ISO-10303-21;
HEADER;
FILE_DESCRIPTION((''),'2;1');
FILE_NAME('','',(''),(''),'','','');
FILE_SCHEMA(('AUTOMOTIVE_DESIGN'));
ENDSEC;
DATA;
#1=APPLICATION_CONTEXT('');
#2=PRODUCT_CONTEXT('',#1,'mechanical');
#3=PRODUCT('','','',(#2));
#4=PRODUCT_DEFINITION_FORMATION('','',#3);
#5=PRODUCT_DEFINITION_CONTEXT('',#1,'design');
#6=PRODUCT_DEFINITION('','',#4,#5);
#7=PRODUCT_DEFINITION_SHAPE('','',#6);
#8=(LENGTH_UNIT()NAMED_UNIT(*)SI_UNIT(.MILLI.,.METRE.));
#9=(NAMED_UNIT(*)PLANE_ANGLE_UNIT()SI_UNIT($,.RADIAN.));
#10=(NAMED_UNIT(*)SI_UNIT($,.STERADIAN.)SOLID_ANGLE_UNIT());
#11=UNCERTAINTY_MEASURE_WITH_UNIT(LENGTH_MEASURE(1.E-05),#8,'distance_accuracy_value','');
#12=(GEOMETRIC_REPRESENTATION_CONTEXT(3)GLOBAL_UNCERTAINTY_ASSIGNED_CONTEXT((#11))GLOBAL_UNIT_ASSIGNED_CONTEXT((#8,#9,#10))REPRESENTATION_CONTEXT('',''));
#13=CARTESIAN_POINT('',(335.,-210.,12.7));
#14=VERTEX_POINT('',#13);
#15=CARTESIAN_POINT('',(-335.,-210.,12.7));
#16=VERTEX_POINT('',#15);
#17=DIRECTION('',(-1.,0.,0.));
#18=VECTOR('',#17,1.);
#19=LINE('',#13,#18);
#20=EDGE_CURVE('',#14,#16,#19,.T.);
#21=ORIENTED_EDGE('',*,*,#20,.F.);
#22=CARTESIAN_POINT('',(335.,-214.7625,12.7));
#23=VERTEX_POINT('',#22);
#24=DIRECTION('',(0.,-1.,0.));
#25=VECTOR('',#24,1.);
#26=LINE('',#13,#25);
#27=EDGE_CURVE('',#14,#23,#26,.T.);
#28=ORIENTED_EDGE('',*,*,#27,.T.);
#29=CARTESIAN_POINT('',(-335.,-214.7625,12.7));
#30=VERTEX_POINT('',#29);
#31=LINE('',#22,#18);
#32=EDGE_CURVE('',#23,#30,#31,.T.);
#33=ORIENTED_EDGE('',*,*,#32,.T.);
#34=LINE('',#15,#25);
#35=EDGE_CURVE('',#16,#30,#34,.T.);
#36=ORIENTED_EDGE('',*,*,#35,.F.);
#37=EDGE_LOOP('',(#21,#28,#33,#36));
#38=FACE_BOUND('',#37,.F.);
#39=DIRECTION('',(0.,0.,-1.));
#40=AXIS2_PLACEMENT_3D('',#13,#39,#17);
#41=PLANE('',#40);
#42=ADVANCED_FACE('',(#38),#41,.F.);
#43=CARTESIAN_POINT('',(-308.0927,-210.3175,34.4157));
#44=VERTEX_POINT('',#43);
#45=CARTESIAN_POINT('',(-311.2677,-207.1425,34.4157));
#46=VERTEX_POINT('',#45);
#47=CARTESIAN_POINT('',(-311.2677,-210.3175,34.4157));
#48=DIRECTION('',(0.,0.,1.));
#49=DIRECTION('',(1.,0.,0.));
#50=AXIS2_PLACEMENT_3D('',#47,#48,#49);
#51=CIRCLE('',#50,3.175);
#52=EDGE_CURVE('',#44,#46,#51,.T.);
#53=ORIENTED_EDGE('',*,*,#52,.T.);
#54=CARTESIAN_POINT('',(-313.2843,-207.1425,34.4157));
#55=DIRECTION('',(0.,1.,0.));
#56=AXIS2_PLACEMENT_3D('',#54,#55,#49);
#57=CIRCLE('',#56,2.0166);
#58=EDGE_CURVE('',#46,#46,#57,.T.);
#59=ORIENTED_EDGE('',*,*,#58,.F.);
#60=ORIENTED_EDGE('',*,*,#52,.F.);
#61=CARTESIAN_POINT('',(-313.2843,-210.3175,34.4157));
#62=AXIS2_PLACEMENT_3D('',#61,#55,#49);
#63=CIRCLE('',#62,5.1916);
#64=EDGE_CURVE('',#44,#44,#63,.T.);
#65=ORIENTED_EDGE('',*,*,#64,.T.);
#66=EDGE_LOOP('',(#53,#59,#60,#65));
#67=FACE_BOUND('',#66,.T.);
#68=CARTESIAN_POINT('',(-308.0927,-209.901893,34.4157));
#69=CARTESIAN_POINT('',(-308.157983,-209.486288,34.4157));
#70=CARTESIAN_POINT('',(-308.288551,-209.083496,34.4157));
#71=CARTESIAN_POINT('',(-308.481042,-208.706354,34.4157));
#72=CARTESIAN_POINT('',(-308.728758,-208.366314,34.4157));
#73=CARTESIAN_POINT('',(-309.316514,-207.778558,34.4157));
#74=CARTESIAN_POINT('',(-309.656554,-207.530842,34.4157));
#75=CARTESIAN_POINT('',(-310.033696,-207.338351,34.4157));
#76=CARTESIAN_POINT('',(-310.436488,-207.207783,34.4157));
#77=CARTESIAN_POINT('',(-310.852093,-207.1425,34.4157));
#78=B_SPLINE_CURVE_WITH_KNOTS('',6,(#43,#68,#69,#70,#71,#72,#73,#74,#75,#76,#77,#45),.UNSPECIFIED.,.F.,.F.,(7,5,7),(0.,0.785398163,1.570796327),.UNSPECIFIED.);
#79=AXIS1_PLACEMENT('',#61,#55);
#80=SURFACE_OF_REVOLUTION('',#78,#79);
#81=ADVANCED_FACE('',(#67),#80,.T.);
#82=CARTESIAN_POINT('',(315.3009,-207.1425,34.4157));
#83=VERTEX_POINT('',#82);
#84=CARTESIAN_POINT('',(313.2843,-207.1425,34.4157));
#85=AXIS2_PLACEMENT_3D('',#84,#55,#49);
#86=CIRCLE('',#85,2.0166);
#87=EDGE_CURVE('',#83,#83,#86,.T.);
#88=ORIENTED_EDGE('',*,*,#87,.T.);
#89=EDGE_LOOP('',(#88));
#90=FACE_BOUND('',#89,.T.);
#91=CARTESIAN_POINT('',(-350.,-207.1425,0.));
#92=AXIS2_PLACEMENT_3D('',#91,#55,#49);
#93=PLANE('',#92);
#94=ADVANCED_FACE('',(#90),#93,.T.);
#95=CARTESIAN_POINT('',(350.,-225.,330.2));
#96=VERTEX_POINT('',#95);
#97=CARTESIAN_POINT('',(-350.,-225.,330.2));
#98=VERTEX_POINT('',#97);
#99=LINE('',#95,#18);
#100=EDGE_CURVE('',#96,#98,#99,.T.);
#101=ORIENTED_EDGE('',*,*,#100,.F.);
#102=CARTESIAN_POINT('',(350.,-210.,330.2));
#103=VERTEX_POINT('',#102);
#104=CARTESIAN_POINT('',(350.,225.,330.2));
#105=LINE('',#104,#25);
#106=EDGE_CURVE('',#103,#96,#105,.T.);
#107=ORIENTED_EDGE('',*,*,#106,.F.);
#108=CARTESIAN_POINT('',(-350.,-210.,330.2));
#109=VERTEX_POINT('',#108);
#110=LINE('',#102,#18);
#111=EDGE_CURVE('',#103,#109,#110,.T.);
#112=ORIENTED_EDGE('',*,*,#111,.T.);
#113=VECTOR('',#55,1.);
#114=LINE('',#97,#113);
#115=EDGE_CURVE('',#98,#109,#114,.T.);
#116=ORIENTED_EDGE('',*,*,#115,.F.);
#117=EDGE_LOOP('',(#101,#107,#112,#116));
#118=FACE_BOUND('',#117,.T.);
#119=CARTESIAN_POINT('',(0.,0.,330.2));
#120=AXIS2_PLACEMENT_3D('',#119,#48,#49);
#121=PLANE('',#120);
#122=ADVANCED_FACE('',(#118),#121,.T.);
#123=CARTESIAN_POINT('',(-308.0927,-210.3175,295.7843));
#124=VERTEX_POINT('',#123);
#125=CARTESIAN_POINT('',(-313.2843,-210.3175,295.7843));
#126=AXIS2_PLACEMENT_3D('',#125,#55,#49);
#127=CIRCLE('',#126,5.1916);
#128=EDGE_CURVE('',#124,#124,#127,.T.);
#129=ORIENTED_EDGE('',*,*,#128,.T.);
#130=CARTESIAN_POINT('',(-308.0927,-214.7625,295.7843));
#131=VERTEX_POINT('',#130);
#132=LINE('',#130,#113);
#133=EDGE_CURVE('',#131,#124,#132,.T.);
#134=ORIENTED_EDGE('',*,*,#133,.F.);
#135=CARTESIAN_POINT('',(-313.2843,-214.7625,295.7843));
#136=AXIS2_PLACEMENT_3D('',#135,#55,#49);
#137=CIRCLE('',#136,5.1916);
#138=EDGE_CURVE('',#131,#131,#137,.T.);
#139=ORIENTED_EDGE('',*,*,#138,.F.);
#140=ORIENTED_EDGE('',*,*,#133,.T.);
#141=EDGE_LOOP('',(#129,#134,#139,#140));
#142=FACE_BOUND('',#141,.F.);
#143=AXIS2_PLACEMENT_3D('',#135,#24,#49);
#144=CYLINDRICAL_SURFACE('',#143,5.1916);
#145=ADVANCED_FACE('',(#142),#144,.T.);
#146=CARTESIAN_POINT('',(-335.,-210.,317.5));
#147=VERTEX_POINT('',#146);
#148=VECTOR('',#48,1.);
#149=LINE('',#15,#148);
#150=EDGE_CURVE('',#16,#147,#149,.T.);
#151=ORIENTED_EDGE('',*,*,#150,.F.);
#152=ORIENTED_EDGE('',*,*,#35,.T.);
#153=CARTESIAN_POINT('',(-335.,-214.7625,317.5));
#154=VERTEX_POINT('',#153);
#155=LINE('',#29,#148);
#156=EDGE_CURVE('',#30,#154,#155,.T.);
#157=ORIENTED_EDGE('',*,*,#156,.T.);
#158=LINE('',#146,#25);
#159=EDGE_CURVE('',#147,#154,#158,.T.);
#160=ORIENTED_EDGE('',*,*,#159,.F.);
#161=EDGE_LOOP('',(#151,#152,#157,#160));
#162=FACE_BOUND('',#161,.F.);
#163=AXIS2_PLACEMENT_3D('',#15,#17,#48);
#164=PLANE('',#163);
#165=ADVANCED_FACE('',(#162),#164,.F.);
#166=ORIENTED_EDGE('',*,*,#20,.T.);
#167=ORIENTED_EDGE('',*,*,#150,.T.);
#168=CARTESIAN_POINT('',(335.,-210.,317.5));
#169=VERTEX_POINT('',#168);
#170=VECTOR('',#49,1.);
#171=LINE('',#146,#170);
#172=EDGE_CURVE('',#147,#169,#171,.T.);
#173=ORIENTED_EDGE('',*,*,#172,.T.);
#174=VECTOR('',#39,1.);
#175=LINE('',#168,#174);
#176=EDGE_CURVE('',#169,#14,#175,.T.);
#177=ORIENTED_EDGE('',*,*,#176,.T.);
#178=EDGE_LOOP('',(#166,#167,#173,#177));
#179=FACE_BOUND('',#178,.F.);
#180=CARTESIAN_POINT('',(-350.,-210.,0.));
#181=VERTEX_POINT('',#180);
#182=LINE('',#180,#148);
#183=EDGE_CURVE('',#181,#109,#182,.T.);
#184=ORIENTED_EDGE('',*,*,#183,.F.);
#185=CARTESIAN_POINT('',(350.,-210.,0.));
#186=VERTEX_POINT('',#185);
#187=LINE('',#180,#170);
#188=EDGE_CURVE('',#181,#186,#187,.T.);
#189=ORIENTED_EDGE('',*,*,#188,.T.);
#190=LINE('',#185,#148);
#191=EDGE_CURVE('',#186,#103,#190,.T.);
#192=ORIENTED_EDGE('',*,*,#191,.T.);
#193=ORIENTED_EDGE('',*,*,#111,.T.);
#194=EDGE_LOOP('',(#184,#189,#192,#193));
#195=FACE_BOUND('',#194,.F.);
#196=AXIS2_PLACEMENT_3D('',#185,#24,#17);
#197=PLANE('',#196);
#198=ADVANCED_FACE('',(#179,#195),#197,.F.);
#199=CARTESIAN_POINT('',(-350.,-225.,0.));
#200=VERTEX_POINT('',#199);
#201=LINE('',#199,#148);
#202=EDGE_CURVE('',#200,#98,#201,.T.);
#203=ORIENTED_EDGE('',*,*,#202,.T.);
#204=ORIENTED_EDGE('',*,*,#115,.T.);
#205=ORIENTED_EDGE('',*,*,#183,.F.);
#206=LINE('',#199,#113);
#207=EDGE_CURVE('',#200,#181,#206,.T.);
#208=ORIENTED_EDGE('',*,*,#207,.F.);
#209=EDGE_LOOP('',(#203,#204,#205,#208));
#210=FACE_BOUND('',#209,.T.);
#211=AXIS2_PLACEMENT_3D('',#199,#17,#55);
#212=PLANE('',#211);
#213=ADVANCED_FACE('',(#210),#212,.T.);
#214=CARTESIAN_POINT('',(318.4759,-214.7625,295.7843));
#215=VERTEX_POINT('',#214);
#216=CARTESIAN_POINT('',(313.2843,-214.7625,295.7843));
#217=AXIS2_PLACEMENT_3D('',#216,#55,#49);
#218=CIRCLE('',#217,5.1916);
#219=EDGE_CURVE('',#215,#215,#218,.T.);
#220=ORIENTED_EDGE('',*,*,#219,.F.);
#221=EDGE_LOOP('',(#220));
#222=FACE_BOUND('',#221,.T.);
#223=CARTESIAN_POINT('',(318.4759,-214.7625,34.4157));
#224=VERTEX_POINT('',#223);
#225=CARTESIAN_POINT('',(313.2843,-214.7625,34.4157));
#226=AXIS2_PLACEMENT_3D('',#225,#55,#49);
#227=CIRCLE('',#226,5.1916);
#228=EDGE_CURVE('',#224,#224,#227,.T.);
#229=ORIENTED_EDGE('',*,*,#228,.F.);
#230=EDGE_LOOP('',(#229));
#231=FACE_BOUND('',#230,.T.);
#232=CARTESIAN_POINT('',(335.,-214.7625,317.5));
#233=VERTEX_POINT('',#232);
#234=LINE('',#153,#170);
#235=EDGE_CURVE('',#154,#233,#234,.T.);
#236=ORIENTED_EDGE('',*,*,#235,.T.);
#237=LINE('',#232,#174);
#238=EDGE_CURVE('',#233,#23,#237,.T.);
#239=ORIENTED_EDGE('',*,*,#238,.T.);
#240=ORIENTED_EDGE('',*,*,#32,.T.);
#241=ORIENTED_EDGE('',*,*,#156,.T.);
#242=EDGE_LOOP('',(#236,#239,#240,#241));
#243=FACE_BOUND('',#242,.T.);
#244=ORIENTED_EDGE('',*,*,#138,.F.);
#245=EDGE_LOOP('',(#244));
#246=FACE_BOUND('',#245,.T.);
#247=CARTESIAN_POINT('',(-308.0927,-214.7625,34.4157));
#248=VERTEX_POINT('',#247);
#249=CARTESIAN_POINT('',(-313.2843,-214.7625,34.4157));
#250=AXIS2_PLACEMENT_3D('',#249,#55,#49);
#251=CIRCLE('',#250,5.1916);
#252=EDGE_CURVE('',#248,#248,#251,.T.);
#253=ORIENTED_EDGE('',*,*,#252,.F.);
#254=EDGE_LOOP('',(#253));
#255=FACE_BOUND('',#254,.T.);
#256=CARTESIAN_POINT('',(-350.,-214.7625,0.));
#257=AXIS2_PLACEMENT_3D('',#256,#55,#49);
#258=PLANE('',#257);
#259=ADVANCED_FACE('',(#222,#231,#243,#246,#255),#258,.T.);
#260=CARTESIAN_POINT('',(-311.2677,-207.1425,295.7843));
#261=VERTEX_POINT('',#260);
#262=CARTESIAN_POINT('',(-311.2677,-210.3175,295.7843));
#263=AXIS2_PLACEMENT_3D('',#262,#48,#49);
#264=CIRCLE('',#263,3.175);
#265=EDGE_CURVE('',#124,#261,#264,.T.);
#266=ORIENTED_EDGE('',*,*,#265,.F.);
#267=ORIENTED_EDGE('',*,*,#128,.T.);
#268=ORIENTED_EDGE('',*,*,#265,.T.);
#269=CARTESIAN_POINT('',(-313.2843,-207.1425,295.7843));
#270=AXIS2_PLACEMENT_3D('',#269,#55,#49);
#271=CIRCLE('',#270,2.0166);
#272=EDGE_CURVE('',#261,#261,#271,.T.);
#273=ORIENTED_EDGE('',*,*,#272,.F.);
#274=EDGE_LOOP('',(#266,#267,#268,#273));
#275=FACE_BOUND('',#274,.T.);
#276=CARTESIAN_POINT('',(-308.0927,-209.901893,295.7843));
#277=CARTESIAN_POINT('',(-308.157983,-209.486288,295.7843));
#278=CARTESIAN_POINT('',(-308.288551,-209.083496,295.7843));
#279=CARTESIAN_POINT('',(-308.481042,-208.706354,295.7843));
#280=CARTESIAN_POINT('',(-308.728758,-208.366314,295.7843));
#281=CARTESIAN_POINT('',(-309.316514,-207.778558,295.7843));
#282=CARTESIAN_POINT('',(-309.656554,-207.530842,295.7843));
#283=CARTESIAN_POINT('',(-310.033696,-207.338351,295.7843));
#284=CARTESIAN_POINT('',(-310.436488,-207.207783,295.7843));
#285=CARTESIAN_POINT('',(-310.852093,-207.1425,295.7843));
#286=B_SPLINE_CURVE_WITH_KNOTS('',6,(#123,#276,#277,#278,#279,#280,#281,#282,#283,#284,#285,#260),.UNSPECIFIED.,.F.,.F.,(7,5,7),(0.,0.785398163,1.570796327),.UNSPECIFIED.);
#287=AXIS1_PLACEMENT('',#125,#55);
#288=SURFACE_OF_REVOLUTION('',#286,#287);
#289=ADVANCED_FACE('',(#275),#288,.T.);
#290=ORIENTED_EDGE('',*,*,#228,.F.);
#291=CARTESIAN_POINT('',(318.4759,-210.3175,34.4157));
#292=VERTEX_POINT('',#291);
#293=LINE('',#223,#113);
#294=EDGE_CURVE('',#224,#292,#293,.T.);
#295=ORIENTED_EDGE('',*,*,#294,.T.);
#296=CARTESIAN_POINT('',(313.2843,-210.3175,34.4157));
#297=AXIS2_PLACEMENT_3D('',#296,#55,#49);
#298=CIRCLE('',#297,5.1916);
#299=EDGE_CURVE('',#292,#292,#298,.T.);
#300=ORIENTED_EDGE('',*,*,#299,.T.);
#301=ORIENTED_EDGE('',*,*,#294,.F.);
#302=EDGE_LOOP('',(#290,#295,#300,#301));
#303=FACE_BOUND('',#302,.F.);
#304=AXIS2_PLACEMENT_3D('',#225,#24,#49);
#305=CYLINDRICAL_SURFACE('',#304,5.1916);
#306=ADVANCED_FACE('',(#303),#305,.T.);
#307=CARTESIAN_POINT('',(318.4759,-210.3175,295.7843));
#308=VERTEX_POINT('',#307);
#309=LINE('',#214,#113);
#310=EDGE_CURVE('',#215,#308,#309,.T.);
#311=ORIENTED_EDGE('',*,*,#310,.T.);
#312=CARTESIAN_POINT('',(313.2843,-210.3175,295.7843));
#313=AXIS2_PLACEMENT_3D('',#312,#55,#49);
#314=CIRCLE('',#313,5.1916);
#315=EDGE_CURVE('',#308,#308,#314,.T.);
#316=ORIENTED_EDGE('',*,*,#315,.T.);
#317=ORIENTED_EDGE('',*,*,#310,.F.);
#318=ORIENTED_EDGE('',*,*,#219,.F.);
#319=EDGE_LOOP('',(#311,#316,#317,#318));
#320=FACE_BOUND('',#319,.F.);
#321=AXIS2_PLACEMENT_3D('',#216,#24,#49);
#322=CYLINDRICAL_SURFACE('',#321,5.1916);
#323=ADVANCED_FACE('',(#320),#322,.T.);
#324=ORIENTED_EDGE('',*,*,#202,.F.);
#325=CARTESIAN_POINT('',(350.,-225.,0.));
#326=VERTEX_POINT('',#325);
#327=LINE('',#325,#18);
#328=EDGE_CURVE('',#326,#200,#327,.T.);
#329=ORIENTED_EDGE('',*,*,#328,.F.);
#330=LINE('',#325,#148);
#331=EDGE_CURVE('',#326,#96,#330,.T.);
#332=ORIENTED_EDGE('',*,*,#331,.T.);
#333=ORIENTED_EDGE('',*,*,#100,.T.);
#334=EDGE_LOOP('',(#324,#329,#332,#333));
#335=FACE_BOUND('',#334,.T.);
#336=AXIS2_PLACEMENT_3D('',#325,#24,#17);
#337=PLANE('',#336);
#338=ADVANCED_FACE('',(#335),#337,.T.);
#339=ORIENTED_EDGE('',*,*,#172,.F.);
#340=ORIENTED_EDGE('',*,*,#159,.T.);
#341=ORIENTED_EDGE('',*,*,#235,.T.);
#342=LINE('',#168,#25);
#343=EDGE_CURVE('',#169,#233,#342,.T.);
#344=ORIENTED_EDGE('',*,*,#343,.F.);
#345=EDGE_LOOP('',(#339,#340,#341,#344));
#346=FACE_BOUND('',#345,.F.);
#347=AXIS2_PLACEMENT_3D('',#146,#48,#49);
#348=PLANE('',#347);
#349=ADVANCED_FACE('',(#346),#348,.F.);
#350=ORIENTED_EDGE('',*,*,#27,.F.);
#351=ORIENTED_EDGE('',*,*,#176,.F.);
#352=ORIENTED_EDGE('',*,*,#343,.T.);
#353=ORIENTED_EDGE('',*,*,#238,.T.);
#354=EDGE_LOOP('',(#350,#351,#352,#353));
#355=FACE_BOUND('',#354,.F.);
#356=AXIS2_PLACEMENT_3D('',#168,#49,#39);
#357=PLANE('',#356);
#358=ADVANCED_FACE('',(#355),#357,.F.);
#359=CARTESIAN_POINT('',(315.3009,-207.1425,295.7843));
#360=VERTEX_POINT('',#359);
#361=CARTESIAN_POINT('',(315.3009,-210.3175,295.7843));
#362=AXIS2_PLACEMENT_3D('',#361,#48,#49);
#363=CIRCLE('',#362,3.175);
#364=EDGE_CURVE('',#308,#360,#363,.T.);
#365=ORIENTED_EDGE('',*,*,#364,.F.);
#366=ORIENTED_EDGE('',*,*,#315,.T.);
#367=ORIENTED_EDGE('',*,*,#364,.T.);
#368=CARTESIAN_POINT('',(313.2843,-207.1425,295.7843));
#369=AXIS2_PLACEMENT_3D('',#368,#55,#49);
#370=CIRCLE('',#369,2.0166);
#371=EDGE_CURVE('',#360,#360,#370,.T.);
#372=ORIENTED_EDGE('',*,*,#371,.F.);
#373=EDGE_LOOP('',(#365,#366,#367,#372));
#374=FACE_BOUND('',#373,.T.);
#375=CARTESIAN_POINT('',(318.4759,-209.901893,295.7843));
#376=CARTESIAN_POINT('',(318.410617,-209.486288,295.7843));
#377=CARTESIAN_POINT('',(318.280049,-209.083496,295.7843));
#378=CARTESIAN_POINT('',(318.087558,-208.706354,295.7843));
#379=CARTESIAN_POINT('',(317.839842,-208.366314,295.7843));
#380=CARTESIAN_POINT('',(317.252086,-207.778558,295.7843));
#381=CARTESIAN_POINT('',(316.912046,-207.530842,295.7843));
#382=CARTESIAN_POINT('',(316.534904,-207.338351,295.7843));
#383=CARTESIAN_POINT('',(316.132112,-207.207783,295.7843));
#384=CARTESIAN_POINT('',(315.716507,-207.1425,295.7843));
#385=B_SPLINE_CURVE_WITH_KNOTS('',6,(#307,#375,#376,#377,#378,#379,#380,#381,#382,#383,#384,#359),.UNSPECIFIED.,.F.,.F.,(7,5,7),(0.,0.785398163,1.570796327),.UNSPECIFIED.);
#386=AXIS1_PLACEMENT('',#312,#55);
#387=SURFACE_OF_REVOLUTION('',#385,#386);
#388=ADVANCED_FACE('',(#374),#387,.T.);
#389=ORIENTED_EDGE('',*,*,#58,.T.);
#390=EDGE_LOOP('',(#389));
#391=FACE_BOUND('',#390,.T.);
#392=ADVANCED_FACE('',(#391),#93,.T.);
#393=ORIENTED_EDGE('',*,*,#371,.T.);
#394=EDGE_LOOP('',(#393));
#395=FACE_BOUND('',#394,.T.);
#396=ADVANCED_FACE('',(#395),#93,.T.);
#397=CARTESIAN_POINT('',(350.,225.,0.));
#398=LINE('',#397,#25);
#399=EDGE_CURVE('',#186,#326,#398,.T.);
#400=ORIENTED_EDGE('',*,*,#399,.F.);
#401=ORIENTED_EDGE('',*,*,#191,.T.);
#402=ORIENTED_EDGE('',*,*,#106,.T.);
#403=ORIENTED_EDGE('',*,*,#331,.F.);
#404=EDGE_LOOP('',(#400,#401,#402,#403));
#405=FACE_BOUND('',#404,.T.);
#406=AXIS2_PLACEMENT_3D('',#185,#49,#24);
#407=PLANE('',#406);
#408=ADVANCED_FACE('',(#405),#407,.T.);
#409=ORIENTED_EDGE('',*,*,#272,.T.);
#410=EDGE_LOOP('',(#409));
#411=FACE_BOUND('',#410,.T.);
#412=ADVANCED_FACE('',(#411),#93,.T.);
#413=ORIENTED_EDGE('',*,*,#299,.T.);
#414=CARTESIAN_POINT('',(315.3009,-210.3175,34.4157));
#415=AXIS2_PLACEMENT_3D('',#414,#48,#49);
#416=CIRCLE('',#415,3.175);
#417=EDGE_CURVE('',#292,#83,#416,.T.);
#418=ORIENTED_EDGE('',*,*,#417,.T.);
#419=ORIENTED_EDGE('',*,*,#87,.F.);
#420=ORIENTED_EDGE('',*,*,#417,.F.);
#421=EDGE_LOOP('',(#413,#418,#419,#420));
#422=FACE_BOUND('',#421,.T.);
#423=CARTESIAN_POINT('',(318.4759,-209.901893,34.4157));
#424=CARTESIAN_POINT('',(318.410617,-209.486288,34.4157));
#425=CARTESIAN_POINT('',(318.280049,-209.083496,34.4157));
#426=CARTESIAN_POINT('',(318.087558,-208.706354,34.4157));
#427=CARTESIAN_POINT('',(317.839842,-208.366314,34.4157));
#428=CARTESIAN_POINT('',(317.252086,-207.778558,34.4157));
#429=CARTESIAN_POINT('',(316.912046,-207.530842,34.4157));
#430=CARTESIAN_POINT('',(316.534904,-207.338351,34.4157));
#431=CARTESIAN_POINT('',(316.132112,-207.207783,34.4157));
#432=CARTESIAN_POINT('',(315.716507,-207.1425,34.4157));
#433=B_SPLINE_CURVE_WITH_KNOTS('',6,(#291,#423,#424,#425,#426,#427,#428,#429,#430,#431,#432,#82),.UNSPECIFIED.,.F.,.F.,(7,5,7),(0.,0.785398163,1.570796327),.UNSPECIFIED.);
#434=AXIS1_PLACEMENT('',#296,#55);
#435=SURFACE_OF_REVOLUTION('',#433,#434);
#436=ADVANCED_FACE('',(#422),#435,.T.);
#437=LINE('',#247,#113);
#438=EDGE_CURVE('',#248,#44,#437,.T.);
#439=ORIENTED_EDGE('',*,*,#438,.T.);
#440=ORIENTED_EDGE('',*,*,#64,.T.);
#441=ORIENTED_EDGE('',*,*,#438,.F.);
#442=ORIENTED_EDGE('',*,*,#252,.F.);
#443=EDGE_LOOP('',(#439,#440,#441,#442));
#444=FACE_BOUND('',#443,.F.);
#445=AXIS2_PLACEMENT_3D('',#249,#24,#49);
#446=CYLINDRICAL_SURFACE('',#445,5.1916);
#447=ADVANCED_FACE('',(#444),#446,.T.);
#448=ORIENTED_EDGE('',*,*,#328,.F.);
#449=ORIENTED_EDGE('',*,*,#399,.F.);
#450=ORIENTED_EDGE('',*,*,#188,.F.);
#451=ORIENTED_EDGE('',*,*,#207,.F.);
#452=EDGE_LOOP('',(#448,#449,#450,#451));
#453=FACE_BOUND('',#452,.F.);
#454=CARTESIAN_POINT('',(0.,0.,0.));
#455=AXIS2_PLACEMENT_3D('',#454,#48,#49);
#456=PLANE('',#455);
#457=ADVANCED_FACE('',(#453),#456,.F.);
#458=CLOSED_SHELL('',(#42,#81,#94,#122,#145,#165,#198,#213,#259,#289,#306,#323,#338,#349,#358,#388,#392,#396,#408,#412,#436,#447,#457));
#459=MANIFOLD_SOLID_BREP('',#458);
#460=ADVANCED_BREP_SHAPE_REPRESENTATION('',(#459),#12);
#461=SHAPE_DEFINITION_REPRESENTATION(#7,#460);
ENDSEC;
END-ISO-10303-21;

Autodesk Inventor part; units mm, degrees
ref_plane "YZ Plane" through (0, 0, 0) normal (1, 0, 0) x (0, 1, 0)
ref_plane "XZ Plane" through (0, 0, 0) normal (0, 1, 0) x (-1, 0, 0)
ref_plane "XY Plane" through (0, 0, 0) normal (0, 0, 1) x (1, 0, 0)
sketch "Sketch1" plane through (0, 0, 0) normal (0, 0, 1) x (1, 0, 0)
  line L0 (350, -225) -> (-350, -225) projected
  line L1 (-335, 210) -> (335, 210) projected
  line L2 (335, 210) -> (335, -210) projected
  line L3 (335, -210) -> (-335, -210) projected
  line L4 (-335, -210) -> (-335, 210) projected
  line L5 (350, -225) -> (-350, -225) projected
  line L6 (350, 225) -> (350, -225) projected
  line L7 (-350, 225) -> (350, 225) projected
  line L8 (-350, -225) -> (-350, 225) projected
  line L9 (350, -210) -> (-350, -210)
  line L10 (-350, -225) -> (350, -225)
  point P0 (0, 0)
extrude "Extrusion1" add sketch "Sketch1" along normal blind 330.2 contours L0 L8 L9 L3 L6
sketch "Sketch2" plane through (-350, -210, 0) normal (0, 1, 0) x (1, 0, 0)
  line L0 (0, -330.2) -> (700, -330.2) projected
  line L1 (700, 0) -> (700, -330.2) projected
  line L2 (700, 0) -> (0, 0) projected
  line L3 (0, 0) -> (0, -330.2) projected
  line L4 (15, 0) -> (685, 0) projected
  line L5 (15, 0) -> (15, -330.2) construction
  line L6 (685, 0) -> (685, -330.2) construction
  line L7 (0, -12.7) -> (700, -12.7) construction
  line L8 (0, -317.5) -> (700, -317.5) construction
  line L9 (15, -12.7) -> (685, -12.7) construction
  line L10 (685, -12.7) -> (685, -317.5) construction
  line L11 (685, -317.5) -> (15, -317.5) construction
  line L12 (15, -317.5) -> (15, -12.7) construction
  line L13 (15, -317.5) -> (685, -317.5)
  line L14 (685, -317.5) -> (685, -12.7)
  line L15 (685, -12.7) -> (15, -12.7)
  line L16 (15, -12.7) -> (15, -317.5)
  point P0 (350, 0)
  dimension "d2" = 12.7
  dimension "d3" = 12.7
extrude "Extrusion2" cut sketch "Sketch2" against normal blind 4.7625 contours L16 L15 L14 L13
sketch "Sketch3" plane through (-350, -214.7625, 0) normal (0, 1, 0) x (1, 0, 0)
  line L0 (685, -12.7) -> (15, -12.7) projected
  line L1 (15, -12.7) -> (15, -317.5) projected
  line L2 (15, -317.5) -> (685, -317.5) projected
  line L3 (685, -317.5) -> (685, -12.7) projected
  line L4 (36.7157, -34.4157) -> (663.2843, -34.4157) construction
  line L5 (663.2843, -34.4157) -> (663.2843, -295.7843) construction
  line L6 (663.2843, -295.7843) -> (36.7157, -295.7843) construction
  line L7 (36.7157, -295.7843) -> (36.7157, -34.4157) construction
  circle A0 centre (36.7157, -34.4157) radius 5.1916
  circle A1 centre (663.2843, -34.4157) radius 5.1916
  circle A2 centre (663.2843, -295.7843) radius 5.1916
  circle A3 centre (36.7157, -295.7843) radius 5.1916
  point P0 (350, 0)
  dimension "d6" = 21.7157
  dimension "d7" = 10.3831
extrude "Extrusion3" add sketch "Sketch3" along normal blind 7.62 contours A0 | A1 | A2 | A3
fillet "Fillet1" radius 3.175 4 edges at (308.0927, -207.1425, 34.4157) (308.0927, -207.1425, 295.7843) (-318.4758, -207.1425, 295.7843) (-318.4758, -207.1425, 34.4157)
properties part number "BoxCover"
